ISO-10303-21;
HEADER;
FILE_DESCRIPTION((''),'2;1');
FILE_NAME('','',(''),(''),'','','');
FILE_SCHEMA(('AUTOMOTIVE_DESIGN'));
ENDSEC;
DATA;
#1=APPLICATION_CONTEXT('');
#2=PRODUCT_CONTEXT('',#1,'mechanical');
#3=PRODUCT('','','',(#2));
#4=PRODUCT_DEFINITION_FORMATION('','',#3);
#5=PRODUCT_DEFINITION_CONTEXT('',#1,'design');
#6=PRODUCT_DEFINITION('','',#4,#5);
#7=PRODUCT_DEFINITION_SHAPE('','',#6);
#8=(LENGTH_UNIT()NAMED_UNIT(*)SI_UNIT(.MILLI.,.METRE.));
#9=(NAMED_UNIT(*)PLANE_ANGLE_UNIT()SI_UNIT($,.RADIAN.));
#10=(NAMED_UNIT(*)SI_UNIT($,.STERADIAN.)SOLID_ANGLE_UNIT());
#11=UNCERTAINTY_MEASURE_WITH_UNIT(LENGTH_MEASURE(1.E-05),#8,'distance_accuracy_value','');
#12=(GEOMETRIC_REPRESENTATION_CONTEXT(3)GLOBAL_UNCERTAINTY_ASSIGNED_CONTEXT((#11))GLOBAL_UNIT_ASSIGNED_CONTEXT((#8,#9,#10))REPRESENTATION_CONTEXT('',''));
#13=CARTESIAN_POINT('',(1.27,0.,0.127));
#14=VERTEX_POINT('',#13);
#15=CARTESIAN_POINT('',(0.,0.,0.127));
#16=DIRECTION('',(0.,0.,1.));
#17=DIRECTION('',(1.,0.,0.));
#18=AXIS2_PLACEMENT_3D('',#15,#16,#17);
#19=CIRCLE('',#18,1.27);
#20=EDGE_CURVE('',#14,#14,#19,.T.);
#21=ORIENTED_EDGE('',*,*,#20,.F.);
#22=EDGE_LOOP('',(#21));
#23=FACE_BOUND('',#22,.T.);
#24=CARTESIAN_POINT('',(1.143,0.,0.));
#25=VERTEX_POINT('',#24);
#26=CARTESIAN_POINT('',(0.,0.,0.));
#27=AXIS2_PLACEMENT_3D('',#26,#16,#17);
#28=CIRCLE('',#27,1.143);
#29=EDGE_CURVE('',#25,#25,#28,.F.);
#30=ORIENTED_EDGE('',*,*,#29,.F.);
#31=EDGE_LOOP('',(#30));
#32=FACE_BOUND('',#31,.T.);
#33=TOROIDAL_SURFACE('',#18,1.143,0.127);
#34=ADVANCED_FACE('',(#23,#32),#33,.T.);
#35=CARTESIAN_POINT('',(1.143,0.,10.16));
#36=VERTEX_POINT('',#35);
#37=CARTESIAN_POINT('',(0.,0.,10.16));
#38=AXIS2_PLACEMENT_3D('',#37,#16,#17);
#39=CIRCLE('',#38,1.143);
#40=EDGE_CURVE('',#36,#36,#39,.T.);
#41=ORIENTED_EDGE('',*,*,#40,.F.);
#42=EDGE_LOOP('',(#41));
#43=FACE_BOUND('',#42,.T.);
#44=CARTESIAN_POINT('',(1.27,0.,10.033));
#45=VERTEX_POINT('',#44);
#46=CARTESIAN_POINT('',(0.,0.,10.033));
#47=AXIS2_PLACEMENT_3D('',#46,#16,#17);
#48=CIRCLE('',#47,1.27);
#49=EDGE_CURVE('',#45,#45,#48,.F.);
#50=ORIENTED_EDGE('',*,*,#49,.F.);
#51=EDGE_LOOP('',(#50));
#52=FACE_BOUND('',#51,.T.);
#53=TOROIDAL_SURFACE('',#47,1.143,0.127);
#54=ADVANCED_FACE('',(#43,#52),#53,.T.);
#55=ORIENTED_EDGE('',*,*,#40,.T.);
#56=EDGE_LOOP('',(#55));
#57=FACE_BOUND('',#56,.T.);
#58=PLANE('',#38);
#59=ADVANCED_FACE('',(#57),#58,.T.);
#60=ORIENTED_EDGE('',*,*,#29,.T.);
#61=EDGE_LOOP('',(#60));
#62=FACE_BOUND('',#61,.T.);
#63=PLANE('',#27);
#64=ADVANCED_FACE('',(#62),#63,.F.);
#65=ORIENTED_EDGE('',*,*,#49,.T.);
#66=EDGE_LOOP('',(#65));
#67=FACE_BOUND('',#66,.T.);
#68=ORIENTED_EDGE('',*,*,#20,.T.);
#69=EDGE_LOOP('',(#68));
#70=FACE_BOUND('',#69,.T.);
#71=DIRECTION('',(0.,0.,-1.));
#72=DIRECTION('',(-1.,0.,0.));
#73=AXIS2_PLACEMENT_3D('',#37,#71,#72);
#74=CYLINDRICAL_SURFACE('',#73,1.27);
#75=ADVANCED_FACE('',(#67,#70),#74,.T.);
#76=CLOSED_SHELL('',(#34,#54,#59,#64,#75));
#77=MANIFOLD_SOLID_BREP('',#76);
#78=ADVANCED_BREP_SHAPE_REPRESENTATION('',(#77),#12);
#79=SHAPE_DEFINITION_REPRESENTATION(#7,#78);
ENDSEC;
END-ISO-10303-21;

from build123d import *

# Parameters (mm, degrees)
SKETCH1_R           = 1.27
BOSS_EXTRUDE1_DEPTH = 10.16
FILLET1_R           = 0.127
FILLET2_R           = 0.127


with BuildPart() as part:
    # Sketch1 → Boss-Extrude1 (new body)
    with BuildSketch(Plane.XY):
        Circle(SKETCH1_R)
    extrude(amount=BOSS_EXTRUDE1_DEPTH)

    # Fillet1
    fillet1_edges = [part.edges().sort_by_distance(p)[0] for p in [
        (-1.27, 0, 10.16),
    ]]
    fillet(fillet1_edges, radius=FILLET1_R)

    # Fillet2
    fillet2_edges = [part.edges().sort_by_distance(p)[0] for p in [
        (-1.27, 0, 0),
    ]]
    fillet(fillet2_edges, radius=FILLET2_R)


solid = part.part
